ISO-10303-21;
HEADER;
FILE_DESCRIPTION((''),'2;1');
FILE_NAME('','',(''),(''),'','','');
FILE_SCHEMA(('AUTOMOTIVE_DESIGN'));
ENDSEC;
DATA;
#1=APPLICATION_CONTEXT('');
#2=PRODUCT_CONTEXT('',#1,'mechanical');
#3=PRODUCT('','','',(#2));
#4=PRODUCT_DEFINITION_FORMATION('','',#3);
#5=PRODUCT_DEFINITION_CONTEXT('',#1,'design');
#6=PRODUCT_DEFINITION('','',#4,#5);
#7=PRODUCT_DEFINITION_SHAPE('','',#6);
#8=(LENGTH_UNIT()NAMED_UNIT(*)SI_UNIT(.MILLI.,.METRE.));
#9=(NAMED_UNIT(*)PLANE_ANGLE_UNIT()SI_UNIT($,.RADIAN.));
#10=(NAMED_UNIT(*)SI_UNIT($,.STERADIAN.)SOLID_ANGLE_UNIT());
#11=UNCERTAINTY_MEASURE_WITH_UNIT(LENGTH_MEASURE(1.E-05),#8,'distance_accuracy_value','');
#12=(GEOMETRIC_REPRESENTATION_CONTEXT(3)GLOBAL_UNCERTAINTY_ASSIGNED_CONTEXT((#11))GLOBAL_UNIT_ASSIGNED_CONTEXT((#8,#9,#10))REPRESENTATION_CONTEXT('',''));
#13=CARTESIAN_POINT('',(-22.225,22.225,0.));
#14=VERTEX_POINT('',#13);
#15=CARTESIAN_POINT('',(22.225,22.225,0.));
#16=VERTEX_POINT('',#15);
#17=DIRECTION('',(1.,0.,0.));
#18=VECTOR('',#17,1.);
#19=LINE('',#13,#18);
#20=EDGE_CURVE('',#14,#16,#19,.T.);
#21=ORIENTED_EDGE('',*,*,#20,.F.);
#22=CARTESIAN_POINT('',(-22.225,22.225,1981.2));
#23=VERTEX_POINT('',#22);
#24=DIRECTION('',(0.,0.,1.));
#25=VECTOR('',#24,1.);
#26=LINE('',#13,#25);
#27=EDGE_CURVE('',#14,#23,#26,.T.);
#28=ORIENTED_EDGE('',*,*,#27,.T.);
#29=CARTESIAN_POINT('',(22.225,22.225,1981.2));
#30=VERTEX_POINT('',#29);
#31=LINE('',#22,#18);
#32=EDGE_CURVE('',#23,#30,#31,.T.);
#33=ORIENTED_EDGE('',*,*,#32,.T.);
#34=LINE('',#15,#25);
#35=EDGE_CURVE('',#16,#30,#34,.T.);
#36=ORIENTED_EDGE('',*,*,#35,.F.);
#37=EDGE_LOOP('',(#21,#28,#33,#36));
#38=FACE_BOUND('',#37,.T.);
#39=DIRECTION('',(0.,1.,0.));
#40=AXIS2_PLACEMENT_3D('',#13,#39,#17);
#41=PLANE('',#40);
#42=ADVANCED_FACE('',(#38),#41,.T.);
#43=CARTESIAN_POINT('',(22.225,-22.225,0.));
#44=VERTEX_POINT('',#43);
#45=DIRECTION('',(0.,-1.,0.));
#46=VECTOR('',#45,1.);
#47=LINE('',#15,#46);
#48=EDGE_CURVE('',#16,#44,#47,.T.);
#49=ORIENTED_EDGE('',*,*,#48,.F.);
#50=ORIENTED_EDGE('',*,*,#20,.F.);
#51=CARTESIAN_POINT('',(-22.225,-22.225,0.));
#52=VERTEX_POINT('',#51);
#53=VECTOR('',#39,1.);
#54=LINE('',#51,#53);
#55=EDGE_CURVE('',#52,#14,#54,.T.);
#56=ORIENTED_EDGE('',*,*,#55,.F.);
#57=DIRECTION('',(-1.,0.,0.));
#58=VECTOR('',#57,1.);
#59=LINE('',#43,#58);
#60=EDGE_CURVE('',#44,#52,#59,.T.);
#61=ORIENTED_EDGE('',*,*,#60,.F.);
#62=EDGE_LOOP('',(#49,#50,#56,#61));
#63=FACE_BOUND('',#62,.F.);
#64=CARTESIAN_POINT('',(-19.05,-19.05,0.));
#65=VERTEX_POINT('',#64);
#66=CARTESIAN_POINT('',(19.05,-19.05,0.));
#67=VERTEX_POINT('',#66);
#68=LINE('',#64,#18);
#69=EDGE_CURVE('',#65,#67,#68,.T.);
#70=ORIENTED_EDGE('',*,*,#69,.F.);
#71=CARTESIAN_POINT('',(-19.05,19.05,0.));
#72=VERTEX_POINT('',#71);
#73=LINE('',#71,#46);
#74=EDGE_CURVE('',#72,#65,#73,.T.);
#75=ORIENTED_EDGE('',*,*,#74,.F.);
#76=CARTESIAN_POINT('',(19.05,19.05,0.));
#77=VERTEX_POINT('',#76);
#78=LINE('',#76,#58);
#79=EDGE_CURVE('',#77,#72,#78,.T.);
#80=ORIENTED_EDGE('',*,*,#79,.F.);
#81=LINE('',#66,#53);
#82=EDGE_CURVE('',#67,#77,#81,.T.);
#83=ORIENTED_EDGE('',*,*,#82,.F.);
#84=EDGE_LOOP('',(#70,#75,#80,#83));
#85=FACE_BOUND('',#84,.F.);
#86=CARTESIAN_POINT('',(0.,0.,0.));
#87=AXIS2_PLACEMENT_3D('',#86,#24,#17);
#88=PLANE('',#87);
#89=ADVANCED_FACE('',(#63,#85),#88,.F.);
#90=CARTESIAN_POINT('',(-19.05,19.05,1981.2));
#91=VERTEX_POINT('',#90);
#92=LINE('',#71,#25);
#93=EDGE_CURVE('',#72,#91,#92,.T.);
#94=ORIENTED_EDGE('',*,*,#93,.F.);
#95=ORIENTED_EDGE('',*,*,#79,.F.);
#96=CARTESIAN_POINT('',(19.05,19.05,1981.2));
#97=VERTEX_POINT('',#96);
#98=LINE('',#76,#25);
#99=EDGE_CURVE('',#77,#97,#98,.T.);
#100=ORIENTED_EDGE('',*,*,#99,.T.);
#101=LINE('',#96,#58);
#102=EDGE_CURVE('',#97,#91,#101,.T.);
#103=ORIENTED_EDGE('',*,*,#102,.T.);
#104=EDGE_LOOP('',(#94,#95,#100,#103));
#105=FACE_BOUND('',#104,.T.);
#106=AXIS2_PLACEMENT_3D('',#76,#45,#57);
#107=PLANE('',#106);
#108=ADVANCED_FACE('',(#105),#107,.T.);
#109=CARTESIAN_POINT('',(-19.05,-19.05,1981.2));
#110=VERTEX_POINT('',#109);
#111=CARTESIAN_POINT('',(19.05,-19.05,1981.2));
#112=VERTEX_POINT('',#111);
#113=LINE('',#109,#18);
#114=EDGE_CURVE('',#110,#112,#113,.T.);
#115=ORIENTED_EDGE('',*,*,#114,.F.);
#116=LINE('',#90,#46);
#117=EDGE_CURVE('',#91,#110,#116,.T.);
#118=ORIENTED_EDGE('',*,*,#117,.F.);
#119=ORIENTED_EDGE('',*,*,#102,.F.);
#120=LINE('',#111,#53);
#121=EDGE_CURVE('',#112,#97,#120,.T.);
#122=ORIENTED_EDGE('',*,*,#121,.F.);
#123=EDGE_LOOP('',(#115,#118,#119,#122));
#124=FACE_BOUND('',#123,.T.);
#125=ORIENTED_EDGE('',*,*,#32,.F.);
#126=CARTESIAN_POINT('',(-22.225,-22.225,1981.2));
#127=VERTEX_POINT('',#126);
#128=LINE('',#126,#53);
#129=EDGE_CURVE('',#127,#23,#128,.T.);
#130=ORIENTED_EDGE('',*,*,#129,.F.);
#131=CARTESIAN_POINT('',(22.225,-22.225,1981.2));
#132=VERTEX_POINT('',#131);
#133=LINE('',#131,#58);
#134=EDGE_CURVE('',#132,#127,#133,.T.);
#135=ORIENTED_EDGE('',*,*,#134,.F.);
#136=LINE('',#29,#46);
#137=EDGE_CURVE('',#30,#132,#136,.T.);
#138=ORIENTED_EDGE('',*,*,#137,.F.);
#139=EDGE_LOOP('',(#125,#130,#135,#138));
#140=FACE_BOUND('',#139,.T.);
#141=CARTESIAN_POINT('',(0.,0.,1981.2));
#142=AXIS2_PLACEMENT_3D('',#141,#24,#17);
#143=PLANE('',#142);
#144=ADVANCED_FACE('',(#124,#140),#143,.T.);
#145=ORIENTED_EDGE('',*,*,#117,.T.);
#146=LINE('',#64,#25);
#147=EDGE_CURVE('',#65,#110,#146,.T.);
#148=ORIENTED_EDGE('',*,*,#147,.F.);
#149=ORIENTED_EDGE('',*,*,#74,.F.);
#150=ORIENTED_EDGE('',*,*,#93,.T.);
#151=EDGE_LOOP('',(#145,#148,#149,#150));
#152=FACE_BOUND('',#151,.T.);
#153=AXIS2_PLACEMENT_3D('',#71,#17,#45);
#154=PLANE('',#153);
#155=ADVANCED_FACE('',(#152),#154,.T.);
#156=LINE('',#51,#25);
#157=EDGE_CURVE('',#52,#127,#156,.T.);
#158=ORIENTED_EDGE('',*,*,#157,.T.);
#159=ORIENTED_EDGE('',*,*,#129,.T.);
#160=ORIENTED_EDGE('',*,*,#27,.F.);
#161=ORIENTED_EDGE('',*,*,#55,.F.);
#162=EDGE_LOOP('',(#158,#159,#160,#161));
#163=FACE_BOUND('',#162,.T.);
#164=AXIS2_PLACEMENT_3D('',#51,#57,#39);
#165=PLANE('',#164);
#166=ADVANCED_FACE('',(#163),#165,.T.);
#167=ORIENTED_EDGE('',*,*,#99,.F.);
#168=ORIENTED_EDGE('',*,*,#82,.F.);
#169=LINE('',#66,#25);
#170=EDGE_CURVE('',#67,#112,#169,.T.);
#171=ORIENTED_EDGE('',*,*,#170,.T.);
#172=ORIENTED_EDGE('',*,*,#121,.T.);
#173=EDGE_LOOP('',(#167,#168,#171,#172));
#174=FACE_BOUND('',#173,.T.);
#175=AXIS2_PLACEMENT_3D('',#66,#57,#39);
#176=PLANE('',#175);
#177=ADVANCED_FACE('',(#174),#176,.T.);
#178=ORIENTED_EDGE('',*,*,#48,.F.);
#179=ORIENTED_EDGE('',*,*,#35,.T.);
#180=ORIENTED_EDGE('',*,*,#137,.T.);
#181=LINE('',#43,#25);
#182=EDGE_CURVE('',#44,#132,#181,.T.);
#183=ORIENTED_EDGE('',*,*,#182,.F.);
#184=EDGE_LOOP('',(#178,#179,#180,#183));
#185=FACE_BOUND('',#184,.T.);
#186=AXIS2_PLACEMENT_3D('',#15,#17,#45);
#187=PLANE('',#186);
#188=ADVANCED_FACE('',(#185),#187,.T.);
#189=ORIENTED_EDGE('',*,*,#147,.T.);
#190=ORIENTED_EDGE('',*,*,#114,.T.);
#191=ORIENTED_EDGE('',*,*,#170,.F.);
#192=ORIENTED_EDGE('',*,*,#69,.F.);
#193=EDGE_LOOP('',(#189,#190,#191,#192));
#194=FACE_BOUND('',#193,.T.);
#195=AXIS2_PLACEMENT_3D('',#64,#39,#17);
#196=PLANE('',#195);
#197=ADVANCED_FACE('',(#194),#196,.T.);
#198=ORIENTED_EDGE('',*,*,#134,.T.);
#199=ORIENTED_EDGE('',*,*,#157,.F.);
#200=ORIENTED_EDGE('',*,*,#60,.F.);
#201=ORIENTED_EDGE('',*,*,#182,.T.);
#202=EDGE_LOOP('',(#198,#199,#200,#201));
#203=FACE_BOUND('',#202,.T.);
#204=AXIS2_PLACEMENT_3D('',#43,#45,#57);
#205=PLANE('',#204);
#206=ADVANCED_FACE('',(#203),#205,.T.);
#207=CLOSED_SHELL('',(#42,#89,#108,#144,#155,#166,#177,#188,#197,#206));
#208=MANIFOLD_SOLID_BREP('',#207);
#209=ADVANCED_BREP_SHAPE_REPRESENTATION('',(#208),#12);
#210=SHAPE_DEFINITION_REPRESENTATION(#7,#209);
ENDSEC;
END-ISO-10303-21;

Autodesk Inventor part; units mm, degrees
ref_plane "YZ Plane" through (0, 0, 0) normal (1, 0, 0) x (0, 1, 0)
ref_plane "XZ Plane" through (0, 0, 0) normal (0, 1, 0) x (-1, 0, 0)
ref_plane "XY Plane" through (0, 0, 0) normal (0, 0, 1) x (1, 0, 0)
sketch "Sketch1" plane through (0, 0, 0) normal (0, 0, 1) x (1, 0, 0)
  line L0 (22.225, -22.225) -> (-22.225, -22.225)
  line L1 (-22.225, -22.225) -> (-22.225, 22.225)
  line L2 (-22.225, 22.225) -> (22.225, 22.225)
  line L3 (22.225, 22.225) -> (22.225, -22.225)
  line L4 (-19.05, -19.05) -> (19.05, -19.05)
  line L5 (19.05, -19.05) -> (19.05, 19.05)
  line L6 (19.05, 19.05) -> (-19.05, 19.05)
  line L7 (-19.05, 19.05) -> (-19.05, -19.05)
  point P0 (0, 0)
  point P1 (0, 22.225)
  point P2 (22.225, 0)
  dimension "d0" = 44.45
  dimension "d1" = 44.45
  dimension "d2" = 3.175
extrude "Extrusion1" add sketch "Sketch1" along normal blind 1981.2
properties part number "Frame0002"
